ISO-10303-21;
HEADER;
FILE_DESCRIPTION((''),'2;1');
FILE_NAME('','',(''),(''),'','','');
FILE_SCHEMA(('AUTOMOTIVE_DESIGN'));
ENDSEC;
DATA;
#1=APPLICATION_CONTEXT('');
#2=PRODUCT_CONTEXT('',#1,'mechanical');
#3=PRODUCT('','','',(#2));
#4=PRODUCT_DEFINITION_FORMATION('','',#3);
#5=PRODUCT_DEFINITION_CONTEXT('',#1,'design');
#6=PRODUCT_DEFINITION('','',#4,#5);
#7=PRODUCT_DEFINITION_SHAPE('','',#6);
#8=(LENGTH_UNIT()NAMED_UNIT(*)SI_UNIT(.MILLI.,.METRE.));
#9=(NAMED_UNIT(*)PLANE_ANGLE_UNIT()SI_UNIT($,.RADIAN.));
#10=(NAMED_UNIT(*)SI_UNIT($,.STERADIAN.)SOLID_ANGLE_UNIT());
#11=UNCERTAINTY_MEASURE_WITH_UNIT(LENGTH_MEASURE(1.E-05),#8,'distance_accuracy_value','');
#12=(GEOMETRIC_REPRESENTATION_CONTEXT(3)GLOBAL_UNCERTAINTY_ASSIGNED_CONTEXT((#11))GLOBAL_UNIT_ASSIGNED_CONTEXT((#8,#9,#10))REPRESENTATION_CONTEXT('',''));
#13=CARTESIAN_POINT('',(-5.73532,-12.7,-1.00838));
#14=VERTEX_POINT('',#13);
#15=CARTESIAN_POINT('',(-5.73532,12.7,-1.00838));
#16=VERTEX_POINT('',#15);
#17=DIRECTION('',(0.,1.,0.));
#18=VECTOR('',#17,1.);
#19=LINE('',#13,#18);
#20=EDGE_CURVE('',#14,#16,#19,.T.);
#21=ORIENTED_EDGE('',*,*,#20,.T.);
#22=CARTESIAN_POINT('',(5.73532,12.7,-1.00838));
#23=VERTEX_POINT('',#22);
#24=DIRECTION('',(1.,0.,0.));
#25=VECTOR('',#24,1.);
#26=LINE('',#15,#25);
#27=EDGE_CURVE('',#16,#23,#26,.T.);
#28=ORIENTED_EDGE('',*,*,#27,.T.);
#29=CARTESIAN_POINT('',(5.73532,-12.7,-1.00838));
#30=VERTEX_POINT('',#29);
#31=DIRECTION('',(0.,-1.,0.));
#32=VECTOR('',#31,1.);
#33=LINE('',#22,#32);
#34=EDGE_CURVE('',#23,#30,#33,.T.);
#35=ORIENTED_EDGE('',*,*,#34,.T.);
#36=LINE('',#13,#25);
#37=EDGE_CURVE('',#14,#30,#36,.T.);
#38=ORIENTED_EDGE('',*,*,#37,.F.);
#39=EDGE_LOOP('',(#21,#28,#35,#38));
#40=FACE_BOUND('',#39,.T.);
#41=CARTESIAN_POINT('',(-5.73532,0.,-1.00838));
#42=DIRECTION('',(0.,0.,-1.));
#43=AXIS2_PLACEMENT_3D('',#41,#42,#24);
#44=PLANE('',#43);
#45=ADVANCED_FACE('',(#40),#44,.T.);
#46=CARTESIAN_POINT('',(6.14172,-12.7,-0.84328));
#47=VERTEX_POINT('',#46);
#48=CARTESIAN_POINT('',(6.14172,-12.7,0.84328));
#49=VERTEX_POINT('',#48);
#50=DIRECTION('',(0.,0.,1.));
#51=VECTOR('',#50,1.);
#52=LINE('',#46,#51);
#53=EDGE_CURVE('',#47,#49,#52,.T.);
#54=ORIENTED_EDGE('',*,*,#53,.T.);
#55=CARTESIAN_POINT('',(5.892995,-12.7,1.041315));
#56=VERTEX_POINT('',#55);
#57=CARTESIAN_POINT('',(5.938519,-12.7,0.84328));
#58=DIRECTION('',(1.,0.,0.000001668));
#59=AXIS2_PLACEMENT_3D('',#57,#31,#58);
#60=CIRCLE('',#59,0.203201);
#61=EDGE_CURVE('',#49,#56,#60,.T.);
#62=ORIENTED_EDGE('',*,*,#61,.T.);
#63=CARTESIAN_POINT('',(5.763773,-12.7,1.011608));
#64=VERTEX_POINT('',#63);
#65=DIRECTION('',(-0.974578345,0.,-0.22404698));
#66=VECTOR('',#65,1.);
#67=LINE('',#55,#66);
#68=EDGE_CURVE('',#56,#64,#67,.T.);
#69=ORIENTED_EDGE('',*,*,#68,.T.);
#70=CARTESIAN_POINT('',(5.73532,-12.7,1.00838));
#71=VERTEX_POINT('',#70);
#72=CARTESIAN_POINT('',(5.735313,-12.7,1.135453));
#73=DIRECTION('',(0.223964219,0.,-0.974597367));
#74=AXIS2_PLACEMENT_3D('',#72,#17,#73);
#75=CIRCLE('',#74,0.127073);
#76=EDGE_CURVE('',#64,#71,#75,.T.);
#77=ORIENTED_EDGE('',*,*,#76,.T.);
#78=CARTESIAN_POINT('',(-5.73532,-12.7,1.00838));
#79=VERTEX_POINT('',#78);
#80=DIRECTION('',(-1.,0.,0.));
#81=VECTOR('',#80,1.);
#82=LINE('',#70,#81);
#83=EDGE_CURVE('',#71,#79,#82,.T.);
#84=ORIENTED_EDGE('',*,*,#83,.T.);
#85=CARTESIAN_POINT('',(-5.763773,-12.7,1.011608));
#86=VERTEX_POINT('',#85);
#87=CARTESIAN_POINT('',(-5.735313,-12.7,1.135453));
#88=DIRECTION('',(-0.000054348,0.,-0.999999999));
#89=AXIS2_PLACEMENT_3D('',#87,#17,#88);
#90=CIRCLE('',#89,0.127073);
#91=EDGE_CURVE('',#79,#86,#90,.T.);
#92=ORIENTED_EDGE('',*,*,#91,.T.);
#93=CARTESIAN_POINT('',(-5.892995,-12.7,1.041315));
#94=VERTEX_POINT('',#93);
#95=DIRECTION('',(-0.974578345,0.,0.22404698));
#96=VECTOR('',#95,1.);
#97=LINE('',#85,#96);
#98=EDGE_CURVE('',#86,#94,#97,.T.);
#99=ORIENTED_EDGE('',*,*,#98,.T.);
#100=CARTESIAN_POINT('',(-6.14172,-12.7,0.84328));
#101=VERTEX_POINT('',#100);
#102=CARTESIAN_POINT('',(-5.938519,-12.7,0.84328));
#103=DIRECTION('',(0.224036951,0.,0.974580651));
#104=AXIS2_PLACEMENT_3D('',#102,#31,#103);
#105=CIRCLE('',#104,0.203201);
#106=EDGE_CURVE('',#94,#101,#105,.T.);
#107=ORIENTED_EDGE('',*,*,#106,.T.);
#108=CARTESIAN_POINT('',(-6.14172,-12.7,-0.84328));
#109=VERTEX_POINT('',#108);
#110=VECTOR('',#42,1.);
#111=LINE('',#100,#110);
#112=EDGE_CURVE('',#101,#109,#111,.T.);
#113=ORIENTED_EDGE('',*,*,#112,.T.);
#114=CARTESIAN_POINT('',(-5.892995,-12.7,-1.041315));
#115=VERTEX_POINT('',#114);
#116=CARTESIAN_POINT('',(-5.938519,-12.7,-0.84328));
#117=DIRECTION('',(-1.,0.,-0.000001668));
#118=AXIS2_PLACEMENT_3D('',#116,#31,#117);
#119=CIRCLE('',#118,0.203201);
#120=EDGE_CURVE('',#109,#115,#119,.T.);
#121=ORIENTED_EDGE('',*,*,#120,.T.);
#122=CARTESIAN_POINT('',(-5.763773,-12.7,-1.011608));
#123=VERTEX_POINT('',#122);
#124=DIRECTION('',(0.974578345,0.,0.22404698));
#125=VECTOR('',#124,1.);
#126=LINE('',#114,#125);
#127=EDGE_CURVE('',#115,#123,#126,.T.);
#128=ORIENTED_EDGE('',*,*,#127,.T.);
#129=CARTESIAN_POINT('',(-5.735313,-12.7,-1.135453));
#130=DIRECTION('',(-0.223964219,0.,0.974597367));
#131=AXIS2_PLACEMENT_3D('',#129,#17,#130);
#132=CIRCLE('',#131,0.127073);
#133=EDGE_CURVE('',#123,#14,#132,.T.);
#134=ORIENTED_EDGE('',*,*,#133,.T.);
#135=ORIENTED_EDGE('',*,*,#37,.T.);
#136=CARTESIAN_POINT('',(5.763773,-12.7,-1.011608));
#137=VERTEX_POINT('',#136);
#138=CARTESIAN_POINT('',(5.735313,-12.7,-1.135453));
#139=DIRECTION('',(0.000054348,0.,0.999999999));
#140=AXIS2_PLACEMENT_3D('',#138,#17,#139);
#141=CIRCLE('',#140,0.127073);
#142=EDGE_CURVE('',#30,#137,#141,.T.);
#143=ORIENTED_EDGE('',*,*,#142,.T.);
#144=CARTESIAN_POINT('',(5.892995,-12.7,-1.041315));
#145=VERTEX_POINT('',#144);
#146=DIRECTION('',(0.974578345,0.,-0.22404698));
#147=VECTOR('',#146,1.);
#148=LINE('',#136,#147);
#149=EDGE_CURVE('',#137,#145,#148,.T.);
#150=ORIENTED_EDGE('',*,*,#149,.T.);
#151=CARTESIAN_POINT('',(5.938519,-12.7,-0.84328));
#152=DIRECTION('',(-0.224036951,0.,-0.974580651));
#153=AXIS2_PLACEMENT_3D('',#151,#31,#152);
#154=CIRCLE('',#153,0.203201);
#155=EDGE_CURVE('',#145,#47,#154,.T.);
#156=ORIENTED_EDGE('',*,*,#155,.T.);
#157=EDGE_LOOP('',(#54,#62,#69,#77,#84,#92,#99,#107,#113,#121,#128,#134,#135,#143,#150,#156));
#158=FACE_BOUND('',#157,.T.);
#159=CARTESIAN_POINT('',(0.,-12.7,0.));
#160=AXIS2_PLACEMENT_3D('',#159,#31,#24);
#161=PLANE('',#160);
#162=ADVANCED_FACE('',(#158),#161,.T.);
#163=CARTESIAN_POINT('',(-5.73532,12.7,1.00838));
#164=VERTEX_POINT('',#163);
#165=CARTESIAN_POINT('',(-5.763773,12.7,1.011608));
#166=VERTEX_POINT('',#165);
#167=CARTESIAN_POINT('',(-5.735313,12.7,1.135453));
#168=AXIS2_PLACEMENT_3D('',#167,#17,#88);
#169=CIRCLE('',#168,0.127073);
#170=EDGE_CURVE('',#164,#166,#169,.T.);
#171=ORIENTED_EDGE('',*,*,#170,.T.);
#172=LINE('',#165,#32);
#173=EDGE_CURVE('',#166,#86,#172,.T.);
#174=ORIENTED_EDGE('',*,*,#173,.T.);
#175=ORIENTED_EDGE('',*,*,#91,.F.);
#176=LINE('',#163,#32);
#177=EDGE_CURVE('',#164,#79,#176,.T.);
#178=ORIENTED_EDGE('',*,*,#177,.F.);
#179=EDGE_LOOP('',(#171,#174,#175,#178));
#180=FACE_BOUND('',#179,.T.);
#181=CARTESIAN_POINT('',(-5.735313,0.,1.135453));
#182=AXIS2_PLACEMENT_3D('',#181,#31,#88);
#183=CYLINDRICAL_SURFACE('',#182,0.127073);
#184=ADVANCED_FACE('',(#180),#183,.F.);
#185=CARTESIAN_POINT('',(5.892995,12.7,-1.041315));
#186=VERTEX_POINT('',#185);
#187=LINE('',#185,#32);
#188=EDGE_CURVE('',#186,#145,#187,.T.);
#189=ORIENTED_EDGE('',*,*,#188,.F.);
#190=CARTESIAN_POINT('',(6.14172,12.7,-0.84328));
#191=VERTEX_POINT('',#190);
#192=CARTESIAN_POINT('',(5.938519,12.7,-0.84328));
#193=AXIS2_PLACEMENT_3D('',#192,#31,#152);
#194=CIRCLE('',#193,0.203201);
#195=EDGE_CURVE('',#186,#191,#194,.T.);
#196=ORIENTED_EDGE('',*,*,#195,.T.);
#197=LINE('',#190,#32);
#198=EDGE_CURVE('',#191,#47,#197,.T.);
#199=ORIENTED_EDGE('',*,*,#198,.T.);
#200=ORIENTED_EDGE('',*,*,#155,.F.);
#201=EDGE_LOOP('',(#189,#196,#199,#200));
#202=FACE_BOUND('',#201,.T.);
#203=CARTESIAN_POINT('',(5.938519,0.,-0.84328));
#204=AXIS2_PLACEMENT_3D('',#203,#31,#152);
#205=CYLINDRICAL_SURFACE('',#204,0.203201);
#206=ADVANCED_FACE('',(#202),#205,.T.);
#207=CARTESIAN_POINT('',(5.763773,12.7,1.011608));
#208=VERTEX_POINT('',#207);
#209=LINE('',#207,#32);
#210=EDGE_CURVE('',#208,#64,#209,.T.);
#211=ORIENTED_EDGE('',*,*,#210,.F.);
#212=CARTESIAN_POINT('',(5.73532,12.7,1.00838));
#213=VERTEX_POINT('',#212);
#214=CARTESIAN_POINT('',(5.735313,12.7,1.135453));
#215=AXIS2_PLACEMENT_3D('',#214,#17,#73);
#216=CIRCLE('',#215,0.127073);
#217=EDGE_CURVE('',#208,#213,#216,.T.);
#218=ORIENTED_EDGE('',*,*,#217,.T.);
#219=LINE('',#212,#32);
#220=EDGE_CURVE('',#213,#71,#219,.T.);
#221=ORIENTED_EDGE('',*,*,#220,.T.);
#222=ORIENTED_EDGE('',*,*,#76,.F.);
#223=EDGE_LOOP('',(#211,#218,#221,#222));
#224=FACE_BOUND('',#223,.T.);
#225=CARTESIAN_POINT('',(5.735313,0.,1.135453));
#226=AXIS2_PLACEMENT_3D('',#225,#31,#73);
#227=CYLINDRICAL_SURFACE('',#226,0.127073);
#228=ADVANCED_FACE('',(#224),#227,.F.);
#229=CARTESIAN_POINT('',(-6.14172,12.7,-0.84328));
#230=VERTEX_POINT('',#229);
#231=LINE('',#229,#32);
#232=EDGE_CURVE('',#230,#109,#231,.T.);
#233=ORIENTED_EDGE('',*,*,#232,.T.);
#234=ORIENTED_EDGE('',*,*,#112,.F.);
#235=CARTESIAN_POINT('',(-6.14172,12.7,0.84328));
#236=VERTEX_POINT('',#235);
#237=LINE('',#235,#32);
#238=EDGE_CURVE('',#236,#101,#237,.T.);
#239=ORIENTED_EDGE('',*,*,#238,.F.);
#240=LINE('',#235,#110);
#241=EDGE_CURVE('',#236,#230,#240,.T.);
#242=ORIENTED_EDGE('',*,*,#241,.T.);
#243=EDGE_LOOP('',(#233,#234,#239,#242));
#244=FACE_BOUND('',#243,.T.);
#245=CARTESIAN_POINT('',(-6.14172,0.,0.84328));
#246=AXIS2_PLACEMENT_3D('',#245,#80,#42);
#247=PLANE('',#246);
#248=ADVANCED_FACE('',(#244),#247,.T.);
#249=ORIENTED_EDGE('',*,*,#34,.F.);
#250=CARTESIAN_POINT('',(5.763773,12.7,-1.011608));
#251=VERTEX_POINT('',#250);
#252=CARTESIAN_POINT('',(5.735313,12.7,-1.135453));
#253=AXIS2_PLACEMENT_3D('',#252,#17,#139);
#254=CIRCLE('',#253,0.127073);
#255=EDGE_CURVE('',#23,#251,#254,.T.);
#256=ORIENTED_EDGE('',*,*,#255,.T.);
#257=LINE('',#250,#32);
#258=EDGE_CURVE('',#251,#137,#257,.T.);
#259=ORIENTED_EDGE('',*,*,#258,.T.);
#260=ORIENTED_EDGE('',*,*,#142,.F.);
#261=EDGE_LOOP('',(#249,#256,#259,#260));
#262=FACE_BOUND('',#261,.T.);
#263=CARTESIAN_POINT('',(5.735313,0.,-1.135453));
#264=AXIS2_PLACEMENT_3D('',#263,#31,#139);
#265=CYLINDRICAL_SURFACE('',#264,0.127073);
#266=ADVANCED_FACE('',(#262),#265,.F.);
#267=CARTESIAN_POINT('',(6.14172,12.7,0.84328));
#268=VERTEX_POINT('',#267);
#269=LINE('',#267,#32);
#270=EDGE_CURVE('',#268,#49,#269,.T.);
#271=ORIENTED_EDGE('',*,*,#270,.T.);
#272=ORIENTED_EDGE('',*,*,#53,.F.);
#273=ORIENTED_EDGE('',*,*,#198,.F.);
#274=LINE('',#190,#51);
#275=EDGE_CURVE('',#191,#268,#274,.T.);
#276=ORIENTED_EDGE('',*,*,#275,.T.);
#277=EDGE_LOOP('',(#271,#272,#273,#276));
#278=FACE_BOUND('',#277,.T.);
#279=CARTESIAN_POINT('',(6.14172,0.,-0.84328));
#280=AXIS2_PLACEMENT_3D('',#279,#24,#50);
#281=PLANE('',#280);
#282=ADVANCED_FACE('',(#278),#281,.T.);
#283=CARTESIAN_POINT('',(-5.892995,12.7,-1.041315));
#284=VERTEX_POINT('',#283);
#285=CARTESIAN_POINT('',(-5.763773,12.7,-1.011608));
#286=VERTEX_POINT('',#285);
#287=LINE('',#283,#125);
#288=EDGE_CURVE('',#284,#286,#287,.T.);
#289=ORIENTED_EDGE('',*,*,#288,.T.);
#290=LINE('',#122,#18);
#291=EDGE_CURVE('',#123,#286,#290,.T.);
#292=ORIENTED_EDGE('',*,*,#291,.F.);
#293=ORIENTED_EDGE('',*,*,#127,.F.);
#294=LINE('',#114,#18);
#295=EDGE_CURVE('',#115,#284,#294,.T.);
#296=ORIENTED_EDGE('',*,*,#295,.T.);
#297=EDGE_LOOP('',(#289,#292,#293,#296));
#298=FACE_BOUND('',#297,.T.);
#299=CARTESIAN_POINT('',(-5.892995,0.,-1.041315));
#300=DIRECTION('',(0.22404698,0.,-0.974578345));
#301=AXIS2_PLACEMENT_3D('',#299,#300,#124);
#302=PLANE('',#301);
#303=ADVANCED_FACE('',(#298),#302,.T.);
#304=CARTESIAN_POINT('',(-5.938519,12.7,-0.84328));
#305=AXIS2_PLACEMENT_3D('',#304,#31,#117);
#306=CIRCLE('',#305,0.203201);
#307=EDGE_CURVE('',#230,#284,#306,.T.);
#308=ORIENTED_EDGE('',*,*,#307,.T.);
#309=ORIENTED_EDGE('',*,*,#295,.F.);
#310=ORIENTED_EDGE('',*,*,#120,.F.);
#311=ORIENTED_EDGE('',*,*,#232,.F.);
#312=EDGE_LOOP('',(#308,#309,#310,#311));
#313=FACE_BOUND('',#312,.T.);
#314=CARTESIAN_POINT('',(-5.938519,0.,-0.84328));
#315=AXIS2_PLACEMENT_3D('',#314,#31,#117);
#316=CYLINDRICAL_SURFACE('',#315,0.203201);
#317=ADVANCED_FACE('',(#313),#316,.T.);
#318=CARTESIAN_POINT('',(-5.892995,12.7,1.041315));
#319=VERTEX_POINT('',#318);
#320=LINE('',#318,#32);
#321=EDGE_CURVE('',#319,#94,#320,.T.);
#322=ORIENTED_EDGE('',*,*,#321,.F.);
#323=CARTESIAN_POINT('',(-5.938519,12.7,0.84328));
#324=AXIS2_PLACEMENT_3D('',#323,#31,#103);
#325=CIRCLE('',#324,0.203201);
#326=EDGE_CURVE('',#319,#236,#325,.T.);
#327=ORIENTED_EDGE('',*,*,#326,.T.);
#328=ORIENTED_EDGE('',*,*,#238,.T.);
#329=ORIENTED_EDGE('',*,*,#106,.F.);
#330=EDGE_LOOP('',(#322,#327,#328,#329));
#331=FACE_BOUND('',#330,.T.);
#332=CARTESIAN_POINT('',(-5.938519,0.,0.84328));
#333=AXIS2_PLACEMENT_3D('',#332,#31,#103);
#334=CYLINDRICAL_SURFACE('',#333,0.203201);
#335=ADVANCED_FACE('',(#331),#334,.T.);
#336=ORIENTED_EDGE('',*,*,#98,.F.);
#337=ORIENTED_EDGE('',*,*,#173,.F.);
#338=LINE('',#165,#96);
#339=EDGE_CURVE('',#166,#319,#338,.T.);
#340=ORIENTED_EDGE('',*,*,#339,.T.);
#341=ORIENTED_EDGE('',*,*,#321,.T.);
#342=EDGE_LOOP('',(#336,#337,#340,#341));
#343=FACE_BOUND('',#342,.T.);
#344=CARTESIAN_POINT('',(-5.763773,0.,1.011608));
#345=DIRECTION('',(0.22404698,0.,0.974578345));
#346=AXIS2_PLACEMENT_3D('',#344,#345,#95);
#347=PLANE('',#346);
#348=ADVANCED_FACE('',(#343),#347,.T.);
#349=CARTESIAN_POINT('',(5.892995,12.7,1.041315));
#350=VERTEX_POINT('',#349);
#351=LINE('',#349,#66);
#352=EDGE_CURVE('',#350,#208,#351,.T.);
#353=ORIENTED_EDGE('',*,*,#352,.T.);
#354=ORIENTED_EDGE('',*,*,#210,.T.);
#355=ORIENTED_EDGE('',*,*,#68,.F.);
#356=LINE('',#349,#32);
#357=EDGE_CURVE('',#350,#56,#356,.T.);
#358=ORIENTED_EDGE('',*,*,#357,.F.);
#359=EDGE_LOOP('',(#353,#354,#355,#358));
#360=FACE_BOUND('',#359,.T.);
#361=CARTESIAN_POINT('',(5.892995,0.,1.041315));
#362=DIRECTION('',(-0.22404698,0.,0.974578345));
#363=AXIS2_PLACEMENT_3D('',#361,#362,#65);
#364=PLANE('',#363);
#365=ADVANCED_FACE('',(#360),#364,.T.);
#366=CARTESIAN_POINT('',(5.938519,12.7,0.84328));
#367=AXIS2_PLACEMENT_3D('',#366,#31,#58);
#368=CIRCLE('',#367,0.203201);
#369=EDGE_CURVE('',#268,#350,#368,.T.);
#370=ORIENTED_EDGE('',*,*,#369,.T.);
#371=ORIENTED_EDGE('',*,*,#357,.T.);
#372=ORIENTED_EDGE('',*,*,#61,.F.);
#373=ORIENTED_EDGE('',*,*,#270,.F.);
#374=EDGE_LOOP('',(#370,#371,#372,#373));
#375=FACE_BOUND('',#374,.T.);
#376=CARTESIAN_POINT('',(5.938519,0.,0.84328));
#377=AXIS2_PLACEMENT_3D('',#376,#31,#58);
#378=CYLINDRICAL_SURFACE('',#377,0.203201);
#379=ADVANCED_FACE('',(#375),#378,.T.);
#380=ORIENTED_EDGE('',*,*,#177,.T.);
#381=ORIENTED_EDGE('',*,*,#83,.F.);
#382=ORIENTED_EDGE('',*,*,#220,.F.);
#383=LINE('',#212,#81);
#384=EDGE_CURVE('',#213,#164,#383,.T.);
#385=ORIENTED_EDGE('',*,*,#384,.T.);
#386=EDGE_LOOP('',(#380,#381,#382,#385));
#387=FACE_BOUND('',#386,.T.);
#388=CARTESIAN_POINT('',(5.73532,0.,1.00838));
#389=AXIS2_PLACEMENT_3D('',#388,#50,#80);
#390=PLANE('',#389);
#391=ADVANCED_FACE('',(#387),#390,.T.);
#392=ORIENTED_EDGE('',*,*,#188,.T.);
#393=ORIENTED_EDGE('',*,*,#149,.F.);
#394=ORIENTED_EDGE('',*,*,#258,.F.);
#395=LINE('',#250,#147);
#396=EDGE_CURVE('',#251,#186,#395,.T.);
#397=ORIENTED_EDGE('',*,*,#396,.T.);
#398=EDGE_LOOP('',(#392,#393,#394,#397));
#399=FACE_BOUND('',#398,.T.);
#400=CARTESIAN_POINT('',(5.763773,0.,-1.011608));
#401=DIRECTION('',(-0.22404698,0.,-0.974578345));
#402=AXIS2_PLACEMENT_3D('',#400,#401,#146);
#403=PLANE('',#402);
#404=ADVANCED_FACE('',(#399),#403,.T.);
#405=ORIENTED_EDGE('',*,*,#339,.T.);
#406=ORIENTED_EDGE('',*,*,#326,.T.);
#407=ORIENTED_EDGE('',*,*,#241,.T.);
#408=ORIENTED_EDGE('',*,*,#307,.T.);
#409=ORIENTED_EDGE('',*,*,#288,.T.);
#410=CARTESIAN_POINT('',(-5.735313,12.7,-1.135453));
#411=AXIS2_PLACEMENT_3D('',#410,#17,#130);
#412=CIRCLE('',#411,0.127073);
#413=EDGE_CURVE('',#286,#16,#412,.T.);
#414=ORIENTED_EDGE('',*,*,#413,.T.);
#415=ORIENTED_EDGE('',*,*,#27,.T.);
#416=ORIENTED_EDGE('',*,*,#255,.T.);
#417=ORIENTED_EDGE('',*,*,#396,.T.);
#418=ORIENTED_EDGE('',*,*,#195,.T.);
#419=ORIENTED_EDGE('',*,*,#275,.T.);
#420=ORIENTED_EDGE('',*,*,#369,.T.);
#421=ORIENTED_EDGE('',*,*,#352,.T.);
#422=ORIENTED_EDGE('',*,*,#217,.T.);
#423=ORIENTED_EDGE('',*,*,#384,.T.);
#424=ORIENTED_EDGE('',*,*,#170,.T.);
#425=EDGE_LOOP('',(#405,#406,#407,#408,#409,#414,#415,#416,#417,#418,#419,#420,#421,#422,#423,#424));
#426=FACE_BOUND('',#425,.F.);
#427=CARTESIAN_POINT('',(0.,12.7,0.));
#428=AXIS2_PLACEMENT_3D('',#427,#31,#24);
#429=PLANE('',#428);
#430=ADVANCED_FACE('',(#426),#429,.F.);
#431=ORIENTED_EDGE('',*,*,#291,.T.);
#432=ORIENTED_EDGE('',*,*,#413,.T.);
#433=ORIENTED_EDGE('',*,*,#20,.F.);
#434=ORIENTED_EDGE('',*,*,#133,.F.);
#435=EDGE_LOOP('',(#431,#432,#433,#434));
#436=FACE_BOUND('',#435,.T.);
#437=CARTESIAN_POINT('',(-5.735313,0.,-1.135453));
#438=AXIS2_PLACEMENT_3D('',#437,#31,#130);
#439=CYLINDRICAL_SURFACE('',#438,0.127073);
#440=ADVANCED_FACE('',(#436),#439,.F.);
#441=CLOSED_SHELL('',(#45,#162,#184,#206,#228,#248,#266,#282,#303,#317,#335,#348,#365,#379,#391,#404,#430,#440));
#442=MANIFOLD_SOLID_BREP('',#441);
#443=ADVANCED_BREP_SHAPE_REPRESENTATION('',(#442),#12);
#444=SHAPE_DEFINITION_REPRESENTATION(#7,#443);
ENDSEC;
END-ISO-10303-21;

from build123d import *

# Parameters (mm, degrees)
F1_DEPTH = 12.7


with BuildPart() as f1:
    # F0 (on Front) → F1 (new body, symmetric)
    with BuildSketch(Plane.XZ):
        with BuildLine():
            Line((-5.73532, -1.00838), (5.73532, -1.00838))
            ThreePointArc((5.73532, -1.00838), (5.749638, -1.00919), (5.763773, -1.011608))
            Line((5.763773, -1.011608), (5.892995, -1.041315))
            ThreePointArc((5.892995, -1.041315), (6.065089, -1.002247), (6.14172, -0.84328))
            Line((6.14172, -0.84328), (6.14172, 0.84328))
            ThreePointArc((6.14172, 0.84328), (6.065089, 1.002247), (5.892995, 1.041315))
            Line((5.892995, 1.041315), (5.763773, 1.011608))
            ThreePointArc((5.763773, 1.011608), (5.749638, 1.00919), (5.73532, 1.00838))
            Line((5.73532, 1.00838), (-5.73532, 1.00838))
            ThreePointArc((-5.73532, 1.00838), (-5.749638, 1.00919), (-5.763773, 1.011608))
            Line((-5.763773, 1.011608), (-5.892995, 1.041315))
            ThreePointArc((-5.892995, 1.041315), (-6.065089, 1.002247), (-6.14172, 0.84328))
            Line((-6.14172, 0.84328), (-6.14172, -0.84328))
            ThreePointArc((-6.14172, -0.84328), (-6.065089, -1.002247), (-5.892995, -1.041315))
            Line((-5.892995, -1.041315), (-5.763773, -1.011608))
            ThreePointArc((-5.763773, -1.011608), (-5.749638, -1.00919), (-5.73532, -1.00838))
        make_face()
    extrude(amount=F1_DEPTH, both=True)


solid = f1.part
